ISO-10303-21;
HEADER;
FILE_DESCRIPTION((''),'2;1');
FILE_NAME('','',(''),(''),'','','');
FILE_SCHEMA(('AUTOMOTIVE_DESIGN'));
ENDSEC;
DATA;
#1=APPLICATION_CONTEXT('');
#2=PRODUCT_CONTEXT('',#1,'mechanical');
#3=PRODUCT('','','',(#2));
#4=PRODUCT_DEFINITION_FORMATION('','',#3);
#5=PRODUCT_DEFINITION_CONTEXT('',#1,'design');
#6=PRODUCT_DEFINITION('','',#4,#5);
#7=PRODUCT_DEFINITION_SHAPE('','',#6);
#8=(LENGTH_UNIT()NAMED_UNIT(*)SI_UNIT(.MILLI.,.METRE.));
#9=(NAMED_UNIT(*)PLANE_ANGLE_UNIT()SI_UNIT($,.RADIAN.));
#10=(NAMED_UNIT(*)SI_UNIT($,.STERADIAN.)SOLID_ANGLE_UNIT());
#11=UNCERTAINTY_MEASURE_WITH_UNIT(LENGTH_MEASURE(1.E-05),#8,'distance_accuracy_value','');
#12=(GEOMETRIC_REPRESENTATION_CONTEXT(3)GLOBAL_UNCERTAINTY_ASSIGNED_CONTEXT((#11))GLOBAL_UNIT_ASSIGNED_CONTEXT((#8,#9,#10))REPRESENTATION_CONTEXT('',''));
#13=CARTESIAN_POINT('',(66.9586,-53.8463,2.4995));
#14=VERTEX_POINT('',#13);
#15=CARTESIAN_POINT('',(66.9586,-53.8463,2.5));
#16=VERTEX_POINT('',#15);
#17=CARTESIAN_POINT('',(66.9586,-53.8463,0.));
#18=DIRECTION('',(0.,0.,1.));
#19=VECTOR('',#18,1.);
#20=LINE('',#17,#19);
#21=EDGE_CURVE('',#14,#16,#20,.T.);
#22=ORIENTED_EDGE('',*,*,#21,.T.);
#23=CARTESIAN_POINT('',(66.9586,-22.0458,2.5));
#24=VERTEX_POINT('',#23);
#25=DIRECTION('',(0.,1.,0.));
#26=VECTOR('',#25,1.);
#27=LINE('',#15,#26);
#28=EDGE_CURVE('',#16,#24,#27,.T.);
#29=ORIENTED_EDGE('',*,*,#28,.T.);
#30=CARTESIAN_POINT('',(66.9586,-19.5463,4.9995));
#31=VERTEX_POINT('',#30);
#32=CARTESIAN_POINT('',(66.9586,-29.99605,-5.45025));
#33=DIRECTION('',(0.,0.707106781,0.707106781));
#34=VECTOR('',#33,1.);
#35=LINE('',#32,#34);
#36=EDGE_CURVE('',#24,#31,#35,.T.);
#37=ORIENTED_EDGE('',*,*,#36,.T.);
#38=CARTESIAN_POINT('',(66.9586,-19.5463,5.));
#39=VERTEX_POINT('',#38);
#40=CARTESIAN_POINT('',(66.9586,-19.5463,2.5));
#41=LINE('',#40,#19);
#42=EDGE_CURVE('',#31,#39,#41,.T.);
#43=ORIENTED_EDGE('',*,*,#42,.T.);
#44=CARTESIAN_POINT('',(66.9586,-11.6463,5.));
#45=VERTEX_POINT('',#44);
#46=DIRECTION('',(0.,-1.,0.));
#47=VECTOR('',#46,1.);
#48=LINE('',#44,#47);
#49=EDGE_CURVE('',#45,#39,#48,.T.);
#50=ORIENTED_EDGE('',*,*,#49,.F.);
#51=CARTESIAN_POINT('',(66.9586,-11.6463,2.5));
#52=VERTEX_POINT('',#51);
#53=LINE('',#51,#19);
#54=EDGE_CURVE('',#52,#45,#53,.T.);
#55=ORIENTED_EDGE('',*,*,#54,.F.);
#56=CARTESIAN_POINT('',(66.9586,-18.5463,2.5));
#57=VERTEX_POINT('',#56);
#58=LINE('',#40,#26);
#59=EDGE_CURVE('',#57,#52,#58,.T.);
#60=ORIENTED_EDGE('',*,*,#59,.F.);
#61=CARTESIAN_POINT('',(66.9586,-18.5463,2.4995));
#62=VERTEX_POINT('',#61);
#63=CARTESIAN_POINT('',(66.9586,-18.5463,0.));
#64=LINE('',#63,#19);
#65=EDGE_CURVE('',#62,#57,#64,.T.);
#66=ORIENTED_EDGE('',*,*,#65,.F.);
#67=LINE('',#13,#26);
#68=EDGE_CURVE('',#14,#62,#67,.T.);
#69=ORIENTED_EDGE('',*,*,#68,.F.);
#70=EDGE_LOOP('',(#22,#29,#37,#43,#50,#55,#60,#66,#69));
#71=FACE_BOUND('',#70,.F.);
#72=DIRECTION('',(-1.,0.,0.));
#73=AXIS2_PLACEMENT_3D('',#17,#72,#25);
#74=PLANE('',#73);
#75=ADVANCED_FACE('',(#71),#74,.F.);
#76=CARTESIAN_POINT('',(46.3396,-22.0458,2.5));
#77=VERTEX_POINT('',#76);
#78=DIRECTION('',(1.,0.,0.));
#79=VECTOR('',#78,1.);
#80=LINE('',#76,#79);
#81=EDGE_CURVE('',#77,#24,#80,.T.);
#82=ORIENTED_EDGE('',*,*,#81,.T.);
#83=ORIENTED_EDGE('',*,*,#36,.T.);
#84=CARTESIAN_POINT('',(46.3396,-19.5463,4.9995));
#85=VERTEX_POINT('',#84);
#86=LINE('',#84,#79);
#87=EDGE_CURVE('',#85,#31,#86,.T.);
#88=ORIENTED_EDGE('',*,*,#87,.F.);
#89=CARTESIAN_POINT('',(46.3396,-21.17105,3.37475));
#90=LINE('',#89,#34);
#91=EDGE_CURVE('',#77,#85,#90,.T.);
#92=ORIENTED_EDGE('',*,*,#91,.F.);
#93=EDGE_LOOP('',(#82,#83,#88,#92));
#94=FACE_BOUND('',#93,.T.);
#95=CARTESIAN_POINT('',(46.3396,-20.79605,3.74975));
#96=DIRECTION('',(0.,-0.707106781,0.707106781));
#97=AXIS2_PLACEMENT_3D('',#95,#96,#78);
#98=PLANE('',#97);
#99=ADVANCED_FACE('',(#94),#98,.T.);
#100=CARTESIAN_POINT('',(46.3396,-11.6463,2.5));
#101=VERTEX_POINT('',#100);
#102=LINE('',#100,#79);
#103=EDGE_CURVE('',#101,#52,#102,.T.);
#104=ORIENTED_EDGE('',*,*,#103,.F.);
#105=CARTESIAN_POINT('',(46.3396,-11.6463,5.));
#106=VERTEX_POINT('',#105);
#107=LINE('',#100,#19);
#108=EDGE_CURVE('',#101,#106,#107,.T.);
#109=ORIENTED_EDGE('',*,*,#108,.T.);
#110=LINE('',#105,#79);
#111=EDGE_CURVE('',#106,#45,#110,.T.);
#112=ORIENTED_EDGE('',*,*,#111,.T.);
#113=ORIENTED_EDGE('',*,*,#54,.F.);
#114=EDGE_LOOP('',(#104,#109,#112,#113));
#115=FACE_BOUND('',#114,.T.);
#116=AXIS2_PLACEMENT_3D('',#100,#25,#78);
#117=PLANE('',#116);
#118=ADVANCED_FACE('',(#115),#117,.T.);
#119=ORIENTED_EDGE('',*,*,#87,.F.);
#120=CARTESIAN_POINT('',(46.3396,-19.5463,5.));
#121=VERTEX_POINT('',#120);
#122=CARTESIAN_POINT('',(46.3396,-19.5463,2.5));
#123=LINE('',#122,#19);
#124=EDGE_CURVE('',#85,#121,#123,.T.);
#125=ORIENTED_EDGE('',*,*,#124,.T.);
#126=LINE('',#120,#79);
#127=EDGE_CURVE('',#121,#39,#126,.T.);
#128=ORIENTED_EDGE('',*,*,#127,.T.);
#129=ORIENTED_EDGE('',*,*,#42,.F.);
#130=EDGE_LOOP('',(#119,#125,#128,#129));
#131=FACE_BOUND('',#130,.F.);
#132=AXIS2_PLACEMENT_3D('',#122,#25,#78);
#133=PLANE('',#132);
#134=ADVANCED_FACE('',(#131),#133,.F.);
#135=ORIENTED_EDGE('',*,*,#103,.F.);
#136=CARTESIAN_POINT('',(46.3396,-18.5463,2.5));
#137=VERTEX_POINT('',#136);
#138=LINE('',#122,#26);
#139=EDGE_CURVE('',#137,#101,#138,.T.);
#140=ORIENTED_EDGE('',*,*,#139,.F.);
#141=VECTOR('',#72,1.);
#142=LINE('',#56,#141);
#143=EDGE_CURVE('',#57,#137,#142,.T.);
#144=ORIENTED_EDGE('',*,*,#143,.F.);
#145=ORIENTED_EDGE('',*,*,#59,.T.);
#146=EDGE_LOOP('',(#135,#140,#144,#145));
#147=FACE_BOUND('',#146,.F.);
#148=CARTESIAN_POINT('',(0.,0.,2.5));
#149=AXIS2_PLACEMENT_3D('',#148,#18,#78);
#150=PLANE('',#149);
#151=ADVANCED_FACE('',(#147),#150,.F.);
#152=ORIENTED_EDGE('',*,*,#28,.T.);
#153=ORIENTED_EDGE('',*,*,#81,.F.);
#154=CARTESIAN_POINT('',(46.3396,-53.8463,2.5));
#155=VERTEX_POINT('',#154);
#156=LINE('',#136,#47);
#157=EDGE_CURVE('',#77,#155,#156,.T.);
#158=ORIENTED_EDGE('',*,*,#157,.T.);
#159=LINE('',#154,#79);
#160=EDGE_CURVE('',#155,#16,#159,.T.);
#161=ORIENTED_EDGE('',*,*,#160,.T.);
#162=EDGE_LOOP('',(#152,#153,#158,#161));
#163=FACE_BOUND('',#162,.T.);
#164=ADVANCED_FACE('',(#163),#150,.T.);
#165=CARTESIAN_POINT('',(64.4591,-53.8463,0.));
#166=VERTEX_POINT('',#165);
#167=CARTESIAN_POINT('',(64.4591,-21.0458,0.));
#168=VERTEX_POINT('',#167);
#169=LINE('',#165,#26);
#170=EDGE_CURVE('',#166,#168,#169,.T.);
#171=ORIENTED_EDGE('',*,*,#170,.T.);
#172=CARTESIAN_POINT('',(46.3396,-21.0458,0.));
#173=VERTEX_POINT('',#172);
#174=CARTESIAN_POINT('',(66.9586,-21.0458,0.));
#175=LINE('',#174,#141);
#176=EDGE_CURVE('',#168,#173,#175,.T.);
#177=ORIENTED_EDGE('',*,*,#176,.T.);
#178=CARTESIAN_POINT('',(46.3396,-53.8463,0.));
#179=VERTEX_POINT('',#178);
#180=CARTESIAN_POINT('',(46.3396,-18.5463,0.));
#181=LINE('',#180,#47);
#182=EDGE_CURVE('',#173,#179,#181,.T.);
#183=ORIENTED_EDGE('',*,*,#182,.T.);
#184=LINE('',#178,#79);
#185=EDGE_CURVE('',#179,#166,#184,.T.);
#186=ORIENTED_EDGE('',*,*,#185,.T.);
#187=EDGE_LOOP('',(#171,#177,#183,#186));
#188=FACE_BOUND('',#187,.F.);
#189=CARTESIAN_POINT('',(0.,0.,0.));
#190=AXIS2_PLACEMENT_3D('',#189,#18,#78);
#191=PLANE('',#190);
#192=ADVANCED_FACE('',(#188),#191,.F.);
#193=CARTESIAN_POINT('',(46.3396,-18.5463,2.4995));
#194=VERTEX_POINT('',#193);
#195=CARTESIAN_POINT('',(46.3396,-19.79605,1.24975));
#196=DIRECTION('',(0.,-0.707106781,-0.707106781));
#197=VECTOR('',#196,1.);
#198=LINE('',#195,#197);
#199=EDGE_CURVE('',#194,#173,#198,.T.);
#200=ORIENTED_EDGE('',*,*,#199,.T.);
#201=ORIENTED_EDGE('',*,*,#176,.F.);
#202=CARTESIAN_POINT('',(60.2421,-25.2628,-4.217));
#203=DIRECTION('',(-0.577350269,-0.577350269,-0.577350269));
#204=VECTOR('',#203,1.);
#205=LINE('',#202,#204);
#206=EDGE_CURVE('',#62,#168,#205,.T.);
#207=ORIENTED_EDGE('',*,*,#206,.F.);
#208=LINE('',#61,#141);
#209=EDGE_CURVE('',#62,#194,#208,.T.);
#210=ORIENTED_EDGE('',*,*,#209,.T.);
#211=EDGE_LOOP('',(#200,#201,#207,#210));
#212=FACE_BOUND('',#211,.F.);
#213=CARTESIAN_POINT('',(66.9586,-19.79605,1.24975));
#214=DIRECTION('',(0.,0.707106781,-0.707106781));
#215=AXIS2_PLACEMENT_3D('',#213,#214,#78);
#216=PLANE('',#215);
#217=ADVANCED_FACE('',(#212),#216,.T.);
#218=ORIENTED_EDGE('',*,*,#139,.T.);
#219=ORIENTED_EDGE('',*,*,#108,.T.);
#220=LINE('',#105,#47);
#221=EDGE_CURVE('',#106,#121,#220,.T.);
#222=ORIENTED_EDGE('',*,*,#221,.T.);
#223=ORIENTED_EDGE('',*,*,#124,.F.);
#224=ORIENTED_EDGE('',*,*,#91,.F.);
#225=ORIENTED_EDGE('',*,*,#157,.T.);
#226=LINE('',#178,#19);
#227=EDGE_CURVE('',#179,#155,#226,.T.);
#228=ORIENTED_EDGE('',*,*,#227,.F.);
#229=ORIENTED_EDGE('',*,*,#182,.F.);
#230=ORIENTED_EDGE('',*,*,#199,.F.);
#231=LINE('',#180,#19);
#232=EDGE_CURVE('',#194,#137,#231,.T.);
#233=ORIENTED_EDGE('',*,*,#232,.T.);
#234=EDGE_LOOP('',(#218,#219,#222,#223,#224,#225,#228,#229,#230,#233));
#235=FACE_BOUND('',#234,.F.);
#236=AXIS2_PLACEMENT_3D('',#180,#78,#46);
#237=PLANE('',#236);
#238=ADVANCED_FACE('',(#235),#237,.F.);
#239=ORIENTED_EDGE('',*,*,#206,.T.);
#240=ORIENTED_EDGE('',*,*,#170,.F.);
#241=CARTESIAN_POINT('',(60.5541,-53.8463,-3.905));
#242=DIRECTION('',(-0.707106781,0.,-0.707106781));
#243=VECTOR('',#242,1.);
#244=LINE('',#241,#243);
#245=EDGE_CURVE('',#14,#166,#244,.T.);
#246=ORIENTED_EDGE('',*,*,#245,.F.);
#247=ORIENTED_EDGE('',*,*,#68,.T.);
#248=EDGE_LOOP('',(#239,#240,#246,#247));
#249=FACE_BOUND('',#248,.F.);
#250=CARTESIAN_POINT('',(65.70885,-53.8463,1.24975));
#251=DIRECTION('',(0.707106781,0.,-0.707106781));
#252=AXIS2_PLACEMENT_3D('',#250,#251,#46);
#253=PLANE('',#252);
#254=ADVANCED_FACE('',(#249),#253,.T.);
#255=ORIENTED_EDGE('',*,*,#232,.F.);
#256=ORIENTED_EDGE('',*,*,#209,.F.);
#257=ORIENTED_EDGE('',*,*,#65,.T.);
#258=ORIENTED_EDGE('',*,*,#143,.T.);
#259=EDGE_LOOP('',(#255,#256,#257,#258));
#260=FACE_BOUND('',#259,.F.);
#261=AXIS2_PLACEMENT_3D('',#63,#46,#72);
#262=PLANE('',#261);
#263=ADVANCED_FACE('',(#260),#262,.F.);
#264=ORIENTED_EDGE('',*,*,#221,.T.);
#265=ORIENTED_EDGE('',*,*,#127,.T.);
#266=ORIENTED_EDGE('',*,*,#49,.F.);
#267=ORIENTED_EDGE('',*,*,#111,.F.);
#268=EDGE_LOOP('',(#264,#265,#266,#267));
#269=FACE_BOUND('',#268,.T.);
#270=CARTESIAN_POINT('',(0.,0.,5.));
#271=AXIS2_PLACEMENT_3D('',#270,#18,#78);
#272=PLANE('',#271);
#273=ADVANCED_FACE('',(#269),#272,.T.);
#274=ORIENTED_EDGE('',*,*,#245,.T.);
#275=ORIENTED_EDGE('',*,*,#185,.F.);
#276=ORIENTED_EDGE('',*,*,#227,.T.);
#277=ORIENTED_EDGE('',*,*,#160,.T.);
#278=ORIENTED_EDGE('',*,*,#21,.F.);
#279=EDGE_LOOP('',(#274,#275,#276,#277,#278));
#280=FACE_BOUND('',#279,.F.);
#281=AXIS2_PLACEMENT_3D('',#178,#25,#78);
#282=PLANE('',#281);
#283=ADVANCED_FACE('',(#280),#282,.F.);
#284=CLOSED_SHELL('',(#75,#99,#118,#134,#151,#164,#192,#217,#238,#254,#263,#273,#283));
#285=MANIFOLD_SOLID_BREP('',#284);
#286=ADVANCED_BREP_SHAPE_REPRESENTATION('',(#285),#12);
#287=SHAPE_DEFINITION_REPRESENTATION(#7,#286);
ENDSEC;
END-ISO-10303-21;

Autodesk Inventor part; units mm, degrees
ref_plane "YZ Plane" through (0, 0, 0) normal (1, 0, 0) x (0, 1, 0)
ref_plane "XZ Plane" through (0, 0, 0) normal (0, 1, 0) x (-1, 0, 0)
ref_plane "XY Plane" through (0, 0, 0) normal (0, 0, 1) x (1, 0, 0)
sketch "Esboço1" plane through (0, 0, 0) normal (0, 0, 1) x (1, 0, 0)
  line L0 (66.9586, -53.8463) -> (66.9586, -18.5463)
  line L1 (66.9586, -18.5463) -> (46.3396, -18.5463)
  line L2 (46.3396, -18.5463) -> (46.3396, -53.8463)
  line L3 (46.3396, -53.8463) -> (66.9586, -53.8463)
  point P0 (0, 0)
  dimension "d0" = 35.3
  dimension "d1" = 20.619
extrude "Extrusão1" add sketch "Esboço1" along normal blind 2.5
chamfer "Chanfro1" distance 2.5 angle 45 2 edges at (56.6491, -18.5463, 0) (66.9586, -36.1963, 0)
sketch "Esboço2" plane through (0, 0, 2.5) normal (0, 0, 1) x (1, 0, 0)
  line L0 (66.9586, -18.5463) -> (46.3396, -18.5463) projected
  line L1 (46.3396, -18.5463) -> (46.3396, -11.6463)
  line L2 (46.3396, -11.6463) -> (66.9586, -11.6463)
  line L3 (66.9586, -11.6463) -> (66.9586, -18.5463)
  line L4 (66.9586, -18.5463) -> (46.3396, -18.5463)
  line L5 (46.3396, -18.5463) -> (46.3396, -19.5463)
  line L6 (46.3396, -19.5463) -> (66.9586, -19.5463)
  line L7 (66.9586, -19.5463) -> (66.9586, -18.5463)
  point P0 (0, 0)
  dimension "d7" = 6.9
  dimension "d10" = 1
extrude "Extrusão2" add sketch "Esboço2" along normal blind 2.5
chamfer "Chanfro2" distance 2.5 angle 45 1 edges at (56.6491, -19.5463, 2.5)
properties part number "suporte_placa"
